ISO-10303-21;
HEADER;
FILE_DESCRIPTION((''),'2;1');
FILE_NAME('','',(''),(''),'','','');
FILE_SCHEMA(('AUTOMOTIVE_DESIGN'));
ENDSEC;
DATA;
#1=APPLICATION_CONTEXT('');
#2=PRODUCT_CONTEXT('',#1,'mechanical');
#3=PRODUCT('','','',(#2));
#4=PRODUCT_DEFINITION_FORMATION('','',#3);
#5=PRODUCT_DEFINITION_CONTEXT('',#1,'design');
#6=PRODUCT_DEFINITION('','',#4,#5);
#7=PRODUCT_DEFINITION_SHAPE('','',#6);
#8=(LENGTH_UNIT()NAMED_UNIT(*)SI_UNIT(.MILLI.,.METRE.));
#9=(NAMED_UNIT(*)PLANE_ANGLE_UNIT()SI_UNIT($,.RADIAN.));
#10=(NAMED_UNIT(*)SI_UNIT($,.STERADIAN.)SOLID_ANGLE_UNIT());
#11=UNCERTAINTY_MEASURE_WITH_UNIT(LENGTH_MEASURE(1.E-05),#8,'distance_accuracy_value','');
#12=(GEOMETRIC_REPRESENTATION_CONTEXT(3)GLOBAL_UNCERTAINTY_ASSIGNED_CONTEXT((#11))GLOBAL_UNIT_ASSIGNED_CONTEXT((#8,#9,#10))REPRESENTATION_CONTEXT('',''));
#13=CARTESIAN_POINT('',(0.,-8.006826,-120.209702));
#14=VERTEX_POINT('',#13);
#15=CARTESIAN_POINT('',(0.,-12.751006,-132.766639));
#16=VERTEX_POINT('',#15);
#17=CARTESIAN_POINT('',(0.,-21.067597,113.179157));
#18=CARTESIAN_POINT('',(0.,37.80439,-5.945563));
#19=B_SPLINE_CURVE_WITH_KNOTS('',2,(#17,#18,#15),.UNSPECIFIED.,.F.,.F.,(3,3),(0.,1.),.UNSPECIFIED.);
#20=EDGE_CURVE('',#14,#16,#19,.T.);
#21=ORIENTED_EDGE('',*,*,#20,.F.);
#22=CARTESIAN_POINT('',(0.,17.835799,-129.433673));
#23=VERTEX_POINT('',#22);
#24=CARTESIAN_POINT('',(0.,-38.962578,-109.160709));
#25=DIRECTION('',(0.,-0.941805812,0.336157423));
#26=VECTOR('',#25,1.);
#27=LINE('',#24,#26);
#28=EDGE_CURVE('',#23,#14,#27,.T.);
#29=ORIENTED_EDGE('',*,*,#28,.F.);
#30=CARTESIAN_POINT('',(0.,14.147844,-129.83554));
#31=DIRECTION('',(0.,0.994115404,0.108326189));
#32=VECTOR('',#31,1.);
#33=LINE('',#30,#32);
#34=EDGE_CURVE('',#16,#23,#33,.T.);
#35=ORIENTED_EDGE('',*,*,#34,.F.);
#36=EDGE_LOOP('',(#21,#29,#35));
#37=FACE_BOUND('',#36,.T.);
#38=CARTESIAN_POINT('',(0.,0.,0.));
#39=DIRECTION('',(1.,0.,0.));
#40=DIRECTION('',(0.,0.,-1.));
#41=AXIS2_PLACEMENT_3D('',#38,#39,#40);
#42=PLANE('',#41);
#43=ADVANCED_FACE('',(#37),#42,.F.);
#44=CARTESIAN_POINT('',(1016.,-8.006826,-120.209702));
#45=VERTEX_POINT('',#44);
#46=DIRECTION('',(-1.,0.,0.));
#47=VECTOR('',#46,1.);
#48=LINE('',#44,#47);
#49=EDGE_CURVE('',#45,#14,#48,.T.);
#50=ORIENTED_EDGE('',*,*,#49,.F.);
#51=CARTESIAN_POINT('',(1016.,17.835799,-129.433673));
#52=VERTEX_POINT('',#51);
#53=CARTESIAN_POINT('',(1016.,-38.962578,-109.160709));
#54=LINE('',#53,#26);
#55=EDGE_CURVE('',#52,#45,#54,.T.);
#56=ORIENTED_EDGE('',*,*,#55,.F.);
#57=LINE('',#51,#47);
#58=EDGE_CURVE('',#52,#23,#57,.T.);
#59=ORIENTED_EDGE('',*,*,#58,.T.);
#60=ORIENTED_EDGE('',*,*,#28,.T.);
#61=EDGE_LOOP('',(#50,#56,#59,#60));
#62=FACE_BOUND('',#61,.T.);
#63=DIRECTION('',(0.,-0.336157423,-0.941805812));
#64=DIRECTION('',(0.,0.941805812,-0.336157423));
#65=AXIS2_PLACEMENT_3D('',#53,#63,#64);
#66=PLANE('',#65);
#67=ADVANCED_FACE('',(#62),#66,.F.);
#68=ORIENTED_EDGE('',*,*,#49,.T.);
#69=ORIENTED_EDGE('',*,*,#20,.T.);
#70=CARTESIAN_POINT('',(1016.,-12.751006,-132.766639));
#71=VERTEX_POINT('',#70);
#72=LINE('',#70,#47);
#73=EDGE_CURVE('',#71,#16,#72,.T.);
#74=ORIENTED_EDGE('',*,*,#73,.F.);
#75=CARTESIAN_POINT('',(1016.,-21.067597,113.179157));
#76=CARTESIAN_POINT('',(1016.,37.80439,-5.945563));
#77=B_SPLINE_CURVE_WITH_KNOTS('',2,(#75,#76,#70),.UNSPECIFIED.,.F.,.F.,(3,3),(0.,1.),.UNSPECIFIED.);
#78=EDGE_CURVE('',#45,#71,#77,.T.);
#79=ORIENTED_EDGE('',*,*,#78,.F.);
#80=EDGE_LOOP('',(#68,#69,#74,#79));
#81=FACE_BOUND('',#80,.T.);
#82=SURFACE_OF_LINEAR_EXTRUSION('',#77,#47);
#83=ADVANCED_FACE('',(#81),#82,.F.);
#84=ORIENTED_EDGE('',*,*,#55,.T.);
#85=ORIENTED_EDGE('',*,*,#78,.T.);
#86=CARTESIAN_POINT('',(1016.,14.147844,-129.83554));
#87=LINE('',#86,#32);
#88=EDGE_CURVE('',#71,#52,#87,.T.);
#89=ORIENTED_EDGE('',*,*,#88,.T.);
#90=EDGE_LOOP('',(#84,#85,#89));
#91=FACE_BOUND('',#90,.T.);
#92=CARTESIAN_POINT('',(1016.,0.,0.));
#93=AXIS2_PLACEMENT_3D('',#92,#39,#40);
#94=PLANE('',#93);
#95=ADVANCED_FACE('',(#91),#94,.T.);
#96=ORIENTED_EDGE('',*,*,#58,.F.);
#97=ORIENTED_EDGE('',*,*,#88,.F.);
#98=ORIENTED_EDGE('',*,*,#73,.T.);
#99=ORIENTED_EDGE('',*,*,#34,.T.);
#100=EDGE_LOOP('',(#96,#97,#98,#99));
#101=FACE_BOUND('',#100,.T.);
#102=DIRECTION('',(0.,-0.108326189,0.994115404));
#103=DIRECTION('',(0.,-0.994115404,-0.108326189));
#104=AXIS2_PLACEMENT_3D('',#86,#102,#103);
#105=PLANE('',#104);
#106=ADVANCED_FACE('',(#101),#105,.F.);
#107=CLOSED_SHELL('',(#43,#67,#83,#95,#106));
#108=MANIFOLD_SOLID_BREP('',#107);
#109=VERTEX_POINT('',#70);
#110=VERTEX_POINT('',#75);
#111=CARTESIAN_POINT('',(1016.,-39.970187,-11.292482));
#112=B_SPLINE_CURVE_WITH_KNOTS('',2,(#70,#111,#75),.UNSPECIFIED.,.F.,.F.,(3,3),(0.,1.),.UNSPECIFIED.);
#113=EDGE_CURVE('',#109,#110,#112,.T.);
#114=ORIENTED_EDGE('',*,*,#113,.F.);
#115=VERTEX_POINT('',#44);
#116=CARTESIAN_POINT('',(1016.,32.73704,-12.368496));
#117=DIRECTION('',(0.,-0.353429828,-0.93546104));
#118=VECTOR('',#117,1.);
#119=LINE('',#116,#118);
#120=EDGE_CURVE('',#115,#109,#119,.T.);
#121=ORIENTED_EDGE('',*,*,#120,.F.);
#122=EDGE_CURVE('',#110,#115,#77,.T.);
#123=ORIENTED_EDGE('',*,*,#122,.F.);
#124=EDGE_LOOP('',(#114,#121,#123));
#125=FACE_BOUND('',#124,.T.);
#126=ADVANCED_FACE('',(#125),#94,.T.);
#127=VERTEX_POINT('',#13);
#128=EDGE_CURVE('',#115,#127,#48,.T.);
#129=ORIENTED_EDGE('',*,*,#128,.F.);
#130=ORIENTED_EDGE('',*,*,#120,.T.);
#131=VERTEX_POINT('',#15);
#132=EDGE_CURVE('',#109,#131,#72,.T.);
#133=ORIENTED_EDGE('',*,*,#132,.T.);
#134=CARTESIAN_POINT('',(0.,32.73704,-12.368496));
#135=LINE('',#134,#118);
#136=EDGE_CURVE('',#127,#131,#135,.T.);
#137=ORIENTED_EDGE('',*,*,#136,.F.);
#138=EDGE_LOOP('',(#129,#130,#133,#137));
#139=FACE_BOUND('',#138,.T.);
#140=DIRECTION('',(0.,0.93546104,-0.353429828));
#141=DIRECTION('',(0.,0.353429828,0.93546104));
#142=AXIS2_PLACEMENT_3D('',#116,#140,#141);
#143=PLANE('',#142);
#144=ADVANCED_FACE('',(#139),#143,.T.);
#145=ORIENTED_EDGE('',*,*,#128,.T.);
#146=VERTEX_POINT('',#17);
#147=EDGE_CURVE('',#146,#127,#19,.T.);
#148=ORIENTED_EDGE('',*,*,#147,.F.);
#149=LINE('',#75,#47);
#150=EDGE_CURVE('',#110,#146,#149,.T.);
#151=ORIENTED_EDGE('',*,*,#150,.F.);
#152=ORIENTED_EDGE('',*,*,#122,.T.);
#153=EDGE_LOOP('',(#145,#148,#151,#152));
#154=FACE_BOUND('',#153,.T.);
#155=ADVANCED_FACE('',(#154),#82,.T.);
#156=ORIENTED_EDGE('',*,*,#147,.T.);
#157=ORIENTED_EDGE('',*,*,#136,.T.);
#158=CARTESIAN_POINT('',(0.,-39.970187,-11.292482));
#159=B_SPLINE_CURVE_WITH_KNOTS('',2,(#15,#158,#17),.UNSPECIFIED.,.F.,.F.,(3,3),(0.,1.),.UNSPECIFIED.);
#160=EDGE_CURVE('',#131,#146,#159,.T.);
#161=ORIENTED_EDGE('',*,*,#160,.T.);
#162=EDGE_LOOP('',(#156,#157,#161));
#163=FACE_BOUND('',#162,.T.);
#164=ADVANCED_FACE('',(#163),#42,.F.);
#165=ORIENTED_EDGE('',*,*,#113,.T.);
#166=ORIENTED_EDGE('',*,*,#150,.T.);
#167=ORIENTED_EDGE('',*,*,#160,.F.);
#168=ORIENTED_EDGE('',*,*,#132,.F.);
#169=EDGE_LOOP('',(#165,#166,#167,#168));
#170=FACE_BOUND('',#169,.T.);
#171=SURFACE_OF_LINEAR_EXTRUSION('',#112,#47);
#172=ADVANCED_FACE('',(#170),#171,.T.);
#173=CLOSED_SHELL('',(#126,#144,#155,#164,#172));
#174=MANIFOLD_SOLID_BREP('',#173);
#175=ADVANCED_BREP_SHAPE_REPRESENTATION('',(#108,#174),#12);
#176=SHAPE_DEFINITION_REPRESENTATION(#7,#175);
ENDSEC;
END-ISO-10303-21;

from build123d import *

# Parameters (mm, degrees)
BOSS_EXTRUDE1_DEPTH   = 1016
BOSS_EXTRUDE1_2_DEPTH = 1016


with BuildPart() as part:
    # Sketch2 → Boss-Extrude1 (new body)
    with BuildSketch(Plane(origin=(0, 0, 0), x_dir=(0, 0, -1), z_dir=(1, 0, 0))):
        with BuildLine():
            add(Edge.make_bspline(
                [(120.209701767, -8.006825936), (126.478710255, -10.244414316), (132.76663858, -12.751006433)],
                knots=[0.950418901, 0.950418901, 0.950418901, 1, 1, 1], degree=2))
            Line((132.76663858, -12.751006433), (129.433673407, 17.835798665))
            Line((129.433673407, 17.835798665), (120.209701767, -8.006825936))
        make_face()
    extrude(amount=BOSS_EXTRUDE1_DEPTH)


with BuildPart() as body_2:
    # Sketch2 → Boss-Extrude1 2 (new body)
    with BuildSketch(Plane(origin=(0, 0, 0), x_dir=(0, 0, -1), z_dir=(1, 0, 0))):
        with BuildLine():
            add(Edge.make_bspline(
                [(132.76663858, -12.751006433), (11.292482382, -39.970187097), (-113.17915749, -21.067596797)],
                knots=[0, 0, 0, 1, 1, 1], degree=2))
            Line((132.76663858, -12.751006433), (120.209701767, -8.006825936))
            add(Edge.make_bspline(
                [(-113.17915749, -21.067596797), (0.039228649, 34.885451964), (120.209701767, -8.006825936)],
                knots=[0, 0, 0, 0.950418901, 0.950418901, 0.950418901], degree=2))
        make_face()
    extrude(amount=BOSS_EXTRUDE1_2_DEPTH)


solid = Compound([part.part, body_2.part])
